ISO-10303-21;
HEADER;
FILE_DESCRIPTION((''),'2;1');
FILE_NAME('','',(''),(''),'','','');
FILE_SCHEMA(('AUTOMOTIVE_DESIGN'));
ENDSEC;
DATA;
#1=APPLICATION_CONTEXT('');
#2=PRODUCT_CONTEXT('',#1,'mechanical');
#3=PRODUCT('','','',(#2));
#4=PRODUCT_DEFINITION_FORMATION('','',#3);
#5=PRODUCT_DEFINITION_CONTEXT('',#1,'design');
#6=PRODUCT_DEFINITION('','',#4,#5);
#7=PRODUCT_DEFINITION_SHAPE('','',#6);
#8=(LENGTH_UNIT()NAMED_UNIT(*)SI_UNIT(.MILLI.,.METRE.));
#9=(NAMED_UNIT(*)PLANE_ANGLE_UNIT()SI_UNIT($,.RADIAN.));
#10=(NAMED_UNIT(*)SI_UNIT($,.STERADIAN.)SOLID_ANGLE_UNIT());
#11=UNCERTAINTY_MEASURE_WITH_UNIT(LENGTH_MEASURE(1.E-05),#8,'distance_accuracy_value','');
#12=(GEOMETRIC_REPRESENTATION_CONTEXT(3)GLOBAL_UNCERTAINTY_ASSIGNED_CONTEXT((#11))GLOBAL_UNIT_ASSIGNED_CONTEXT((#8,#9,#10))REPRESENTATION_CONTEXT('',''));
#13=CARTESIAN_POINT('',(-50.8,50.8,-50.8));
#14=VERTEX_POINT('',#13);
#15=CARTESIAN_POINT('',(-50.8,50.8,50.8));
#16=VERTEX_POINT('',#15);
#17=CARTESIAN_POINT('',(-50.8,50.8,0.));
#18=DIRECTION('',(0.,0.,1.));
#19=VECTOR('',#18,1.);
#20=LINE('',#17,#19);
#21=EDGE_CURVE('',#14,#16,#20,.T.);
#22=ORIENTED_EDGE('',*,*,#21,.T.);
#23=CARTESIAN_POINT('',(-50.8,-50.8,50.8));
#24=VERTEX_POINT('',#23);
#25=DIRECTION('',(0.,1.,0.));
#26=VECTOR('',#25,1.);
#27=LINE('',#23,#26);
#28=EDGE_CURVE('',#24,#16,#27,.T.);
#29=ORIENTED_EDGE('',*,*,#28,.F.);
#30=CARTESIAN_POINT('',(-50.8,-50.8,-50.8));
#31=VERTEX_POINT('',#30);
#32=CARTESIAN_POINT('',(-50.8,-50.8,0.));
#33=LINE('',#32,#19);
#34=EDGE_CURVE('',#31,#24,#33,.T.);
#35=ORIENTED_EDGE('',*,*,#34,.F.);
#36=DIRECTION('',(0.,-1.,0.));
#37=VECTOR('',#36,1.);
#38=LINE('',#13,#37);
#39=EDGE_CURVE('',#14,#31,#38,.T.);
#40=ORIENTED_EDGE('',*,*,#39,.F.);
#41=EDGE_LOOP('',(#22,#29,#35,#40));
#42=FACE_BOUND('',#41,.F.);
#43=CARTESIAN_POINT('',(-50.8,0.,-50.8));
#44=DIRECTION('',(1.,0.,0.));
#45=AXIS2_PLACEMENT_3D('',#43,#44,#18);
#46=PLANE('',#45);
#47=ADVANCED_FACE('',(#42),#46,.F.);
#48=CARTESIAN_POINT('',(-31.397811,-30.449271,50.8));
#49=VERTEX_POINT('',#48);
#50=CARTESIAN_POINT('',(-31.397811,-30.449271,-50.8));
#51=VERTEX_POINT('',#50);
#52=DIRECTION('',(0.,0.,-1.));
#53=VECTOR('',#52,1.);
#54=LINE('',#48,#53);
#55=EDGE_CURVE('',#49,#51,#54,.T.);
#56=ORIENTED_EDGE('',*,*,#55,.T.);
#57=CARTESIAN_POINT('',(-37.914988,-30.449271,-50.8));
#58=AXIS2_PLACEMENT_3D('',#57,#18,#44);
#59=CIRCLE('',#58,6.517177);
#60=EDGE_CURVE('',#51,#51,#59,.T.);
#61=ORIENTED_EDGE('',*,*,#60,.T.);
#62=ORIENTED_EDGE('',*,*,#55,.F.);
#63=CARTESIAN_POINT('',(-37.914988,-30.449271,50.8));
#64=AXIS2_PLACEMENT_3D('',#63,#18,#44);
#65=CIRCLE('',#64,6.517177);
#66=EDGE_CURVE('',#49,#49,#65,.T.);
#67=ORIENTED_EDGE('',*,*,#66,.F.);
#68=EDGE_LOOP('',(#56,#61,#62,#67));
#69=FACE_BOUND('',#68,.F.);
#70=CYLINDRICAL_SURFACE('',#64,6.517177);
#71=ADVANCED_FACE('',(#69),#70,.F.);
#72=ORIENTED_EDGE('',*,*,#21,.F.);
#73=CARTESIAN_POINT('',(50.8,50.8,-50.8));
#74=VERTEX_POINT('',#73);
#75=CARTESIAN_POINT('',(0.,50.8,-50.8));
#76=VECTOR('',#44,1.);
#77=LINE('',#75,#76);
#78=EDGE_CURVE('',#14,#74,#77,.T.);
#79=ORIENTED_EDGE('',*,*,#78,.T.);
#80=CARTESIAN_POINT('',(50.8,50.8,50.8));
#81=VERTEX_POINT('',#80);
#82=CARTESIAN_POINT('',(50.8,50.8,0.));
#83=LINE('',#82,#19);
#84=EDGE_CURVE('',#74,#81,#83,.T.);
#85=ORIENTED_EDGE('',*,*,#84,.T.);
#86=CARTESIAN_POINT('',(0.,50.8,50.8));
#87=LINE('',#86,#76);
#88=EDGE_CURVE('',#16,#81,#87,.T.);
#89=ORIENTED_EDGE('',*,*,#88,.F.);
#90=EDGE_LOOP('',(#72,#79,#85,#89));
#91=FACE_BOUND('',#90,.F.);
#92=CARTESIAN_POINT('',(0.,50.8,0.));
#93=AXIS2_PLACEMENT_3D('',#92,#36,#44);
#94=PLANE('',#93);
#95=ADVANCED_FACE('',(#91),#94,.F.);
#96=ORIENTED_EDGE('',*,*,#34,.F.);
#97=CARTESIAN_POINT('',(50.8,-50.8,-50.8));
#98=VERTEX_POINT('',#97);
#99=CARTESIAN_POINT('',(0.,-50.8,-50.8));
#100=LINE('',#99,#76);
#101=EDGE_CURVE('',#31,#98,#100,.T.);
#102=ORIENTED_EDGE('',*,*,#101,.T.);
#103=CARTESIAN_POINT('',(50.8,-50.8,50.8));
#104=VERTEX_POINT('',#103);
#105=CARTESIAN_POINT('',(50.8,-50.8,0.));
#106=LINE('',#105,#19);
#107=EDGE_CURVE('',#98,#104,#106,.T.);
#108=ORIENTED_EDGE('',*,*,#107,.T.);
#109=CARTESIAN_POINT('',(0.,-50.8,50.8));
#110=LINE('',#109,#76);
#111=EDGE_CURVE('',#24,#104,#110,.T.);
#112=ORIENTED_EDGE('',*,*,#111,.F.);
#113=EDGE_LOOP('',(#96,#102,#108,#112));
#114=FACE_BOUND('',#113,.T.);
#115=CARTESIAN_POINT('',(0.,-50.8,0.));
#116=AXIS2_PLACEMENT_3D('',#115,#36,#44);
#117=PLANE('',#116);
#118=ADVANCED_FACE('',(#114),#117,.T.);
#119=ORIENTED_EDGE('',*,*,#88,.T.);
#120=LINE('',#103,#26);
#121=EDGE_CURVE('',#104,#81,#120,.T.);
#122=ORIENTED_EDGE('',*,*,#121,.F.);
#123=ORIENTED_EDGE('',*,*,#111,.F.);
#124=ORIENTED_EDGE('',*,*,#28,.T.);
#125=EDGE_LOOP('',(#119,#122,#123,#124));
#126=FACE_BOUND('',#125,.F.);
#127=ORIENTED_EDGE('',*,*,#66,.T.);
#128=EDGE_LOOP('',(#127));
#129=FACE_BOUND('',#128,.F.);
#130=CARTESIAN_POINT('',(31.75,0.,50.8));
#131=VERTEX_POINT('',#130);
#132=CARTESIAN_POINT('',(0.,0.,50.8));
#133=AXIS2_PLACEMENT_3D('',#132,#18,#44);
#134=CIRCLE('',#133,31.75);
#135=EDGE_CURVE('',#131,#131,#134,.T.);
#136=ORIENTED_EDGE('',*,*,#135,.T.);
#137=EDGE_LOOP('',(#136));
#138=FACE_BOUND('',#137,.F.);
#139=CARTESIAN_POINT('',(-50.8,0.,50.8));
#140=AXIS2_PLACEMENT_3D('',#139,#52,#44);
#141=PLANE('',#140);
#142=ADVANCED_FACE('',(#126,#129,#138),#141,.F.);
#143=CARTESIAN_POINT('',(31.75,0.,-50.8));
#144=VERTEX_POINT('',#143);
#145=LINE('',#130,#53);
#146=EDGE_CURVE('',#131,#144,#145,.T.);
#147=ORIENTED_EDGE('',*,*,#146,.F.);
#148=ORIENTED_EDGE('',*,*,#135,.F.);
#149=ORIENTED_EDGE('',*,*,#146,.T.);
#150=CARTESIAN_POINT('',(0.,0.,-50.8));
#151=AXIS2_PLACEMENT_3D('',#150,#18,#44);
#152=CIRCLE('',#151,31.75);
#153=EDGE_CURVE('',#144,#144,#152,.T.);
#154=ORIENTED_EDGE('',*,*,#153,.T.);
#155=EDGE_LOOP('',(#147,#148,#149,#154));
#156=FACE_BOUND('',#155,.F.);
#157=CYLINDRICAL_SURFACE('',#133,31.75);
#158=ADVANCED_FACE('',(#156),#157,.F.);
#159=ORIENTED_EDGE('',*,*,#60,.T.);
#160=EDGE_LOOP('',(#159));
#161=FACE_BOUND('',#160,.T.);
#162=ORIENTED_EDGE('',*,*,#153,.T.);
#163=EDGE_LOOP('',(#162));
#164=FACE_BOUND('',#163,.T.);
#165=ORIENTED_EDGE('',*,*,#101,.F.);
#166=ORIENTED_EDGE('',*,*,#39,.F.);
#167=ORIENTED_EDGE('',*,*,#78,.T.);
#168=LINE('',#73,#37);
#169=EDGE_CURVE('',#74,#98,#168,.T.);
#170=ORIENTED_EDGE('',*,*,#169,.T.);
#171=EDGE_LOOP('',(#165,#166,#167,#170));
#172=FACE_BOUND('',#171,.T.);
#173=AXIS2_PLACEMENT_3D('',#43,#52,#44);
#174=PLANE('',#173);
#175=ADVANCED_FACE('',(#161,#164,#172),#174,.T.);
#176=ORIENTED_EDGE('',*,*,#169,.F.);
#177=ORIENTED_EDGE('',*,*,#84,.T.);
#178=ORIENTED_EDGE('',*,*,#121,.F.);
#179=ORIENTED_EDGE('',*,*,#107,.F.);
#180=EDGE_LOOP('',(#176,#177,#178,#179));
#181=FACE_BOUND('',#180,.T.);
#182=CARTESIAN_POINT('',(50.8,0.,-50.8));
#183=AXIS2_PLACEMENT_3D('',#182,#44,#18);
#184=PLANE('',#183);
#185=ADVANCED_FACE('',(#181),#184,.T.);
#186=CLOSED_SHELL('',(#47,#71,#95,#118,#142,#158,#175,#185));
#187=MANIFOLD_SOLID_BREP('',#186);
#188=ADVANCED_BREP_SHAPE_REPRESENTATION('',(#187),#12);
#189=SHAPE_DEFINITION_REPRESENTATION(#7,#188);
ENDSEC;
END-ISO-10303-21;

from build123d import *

# Parameters (mm, degrees)
F0_W     = 101.6
F0_H     = 101.6
F1_DEPTH = 50.8
F2_R     = 31.75
F3_DEPTH = 101.601
F4_R     = 6.517177
F5_DEPTH = 101.601


with BuildPart() as f1:
    # F0 (on Front) → F1 (new body, symmetric)
    with BuildSketch(Plane.XZ):
        Rectangle(F0_W, F0_H)
    extrude(amount=F1_DEPTH, both=True)

    # F2 (on face) → F3 (cut, through all)
    with BuildSketch(Plane.XY.offset(50.8)):
        Circle(F2_R)
    extrude(amount=-F3_DEPTH, mode=Mode.SUBTRACT)

    # F4 (on face) → F5 (cut, through all)
    with BuildSketch(Plane.XY.offset(50.8)):
        with Locations((-37.914988, -30.449271)):
            Circle(F4_R)
    extrude(amount=-F5_DEPTH, mode=Mode.SUBTRACT)


solid = f1.part
